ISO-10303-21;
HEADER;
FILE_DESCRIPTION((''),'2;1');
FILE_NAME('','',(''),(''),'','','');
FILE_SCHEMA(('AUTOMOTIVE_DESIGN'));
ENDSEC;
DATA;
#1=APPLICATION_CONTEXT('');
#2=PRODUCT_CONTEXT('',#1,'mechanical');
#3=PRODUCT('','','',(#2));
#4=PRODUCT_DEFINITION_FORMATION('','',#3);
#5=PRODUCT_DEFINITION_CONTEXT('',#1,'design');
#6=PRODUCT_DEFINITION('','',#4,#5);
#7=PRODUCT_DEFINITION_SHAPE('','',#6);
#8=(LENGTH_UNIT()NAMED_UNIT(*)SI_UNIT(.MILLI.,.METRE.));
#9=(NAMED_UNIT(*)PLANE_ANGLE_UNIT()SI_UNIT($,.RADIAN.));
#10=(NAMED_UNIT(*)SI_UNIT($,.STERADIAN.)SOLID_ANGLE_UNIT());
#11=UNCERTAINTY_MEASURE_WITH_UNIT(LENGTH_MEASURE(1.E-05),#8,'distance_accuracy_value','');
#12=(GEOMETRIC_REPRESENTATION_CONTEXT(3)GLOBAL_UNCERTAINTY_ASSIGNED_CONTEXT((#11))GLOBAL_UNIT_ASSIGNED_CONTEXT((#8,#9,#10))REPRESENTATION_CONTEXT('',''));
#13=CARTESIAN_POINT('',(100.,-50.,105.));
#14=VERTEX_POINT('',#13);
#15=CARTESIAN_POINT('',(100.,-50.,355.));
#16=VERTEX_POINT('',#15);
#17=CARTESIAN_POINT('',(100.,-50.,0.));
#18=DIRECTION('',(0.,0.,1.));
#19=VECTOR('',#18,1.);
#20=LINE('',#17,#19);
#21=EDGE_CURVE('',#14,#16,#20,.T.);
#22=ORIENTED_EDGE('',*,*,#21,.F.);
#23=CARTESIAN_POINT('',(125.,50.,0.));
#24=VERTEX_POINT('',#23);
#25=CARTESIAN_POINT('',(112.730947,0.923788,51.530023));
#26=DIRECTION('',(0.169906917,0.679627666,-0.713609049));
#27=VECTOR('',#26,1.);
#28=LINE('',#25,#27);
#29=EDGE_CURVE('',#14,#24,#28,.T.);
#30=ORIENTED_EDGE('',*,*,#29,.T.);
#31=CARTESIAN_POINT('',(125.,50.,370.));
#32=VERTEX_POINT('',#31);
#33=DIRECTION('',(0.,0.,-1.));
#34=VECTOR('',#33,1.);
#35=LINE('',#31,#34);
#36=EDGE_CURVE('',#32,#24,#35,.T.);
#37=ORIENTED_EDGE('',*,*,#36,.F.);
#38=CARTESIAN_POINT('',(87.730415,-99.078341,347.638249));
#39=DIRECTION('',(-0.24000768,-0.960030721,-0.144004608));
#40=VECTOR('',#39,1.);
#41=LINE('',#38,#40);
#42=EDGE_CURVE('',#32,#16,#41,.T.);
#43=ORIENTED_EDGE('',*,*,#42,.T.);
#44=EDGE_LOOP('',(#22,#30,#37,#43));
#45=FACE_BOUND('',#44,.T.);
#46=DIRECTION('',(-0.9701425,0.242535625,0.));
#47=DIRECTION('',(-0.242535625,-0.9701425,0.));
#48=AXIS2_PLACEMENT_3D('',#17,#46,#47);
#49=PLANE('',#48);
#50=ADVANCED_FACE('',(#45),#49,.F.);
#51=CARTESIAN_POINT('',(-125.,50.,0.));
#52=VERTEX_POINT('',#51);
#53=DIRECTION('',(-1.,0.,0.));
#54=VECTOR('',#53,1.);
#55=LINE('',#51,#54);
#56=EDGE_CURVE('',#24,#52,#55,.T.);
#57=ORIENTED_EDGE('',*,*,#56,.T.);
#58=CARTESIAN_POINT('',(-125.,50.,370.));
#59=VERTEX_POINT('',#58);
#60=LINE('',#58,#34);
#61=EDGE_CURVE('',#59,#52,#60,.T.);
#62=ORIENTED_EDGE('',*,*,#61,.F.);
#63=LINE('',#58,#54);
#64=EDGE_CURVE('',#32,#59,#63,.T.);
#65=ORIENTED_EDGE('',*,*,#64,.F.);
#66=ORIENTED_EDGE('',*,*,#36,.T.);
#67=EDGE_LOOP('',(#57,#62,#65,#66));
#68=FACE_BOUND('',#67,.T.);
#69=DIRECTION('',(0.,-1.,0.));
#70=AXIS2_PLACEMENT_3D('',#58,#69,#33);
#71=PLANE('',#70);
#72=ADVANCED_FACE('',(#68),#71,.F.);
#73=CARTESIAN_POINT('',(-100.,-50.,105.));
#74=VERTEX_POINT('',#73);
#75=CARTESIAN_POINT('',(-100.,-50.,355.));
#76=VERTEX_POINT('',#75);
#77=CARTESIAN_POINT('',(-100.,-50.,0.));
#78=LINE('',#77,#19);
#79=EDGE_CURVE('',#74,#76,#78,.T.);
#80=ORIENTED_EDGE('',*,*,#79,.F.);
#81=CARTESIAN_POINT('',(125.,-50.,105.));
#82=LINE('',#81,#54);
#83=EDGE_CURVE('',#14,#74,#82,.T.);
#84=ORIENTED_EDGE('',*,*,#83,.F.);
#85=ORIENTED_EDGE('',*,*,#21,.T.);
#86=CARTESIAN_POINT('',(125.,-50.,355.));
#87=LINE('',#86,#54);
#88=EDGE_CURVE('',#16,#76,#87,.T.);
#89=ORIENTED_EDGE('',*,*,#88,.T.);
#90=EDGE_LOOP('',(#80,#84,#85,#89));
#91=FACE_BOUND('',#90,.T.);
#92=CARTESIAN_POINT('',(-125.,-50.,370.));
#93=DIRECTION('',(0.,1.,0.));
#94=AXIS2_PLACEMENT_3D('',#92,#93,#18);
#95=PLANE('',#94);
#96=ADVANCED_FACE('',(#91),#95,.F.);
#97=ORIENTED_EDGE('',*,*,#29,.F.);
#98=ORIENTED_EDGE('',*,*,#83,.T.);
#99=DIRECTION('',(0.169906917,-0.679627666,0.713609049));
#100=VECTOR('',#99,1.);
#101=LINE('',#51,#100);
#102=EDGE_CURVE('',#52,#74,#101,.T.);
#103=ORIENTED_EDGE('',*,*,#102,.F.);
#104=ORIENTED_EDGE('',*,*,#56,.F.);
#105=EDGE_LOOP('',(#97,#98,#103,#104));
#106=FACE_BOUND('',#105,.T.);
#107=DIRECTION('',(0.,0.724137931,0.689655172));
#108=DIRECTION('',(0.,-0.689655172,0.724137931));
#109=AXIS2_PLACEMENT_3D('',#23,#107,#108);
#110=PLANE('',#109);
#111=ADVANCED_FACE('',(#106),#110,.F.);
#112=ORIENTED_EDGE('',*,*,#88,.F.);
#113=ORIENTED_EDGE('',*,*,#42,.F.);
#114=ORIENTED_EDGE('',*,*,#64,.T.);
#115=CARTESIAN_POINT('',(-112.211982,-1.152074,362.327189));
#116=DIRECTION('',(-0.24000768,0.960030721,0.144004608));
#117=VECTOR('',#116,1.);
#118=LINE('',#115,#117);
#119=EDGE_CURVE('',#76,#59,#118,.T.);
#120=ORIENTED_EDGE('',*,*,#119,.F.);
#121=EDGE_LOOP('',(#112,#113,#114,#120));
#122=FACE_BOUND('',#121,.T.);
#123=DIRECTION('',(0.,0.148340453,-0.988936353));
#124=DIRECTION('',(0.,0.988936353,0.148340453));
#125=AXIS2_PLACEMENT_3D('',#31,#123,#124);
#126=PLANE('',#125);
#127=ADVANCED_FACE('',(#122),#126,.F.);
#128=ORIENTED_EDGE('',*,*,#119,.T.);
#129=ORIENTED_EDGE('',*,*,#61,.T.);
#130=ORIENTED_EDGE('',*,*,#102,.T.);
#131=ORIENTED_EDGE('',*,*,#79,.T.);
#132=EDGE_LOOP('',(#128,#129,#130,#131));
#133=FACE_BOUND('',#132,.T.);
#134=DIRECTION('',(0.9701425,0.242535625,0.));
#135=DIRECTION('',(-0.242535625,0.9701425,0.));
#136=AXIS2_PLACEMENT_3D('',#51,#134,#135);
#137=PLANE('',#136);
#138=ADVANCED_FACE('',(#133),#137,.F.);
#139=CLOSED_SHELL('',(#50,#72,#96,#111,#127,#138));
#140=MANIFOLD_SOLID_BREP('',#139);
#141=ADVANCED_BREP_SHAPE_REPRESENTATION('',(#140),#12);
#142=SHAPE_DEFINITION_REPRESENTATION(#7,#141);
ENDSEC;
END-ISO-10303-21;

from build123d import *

# Parameters (mm, degrees)
SKETCH_1_W          = 250
SKETCH_1_H          = 100
EXTRUDE_1_DEPTH     = 370
CUT_EXTRUDE_1_DEPTH = 370
CUT_EXTRUDE_3_DEPTH = 458.602447546


with BuildPart() as part:
    # 草圖1 → 填料-伸長1 (new body)
    with BuildSketch(Plane.XY):
        Rectangle(SKETCH_1_W, SKETCH_1_H)
    extrude(amount=EXTRUDE_1_DEPTH)

    # 草圖2 → 除料-伸長1 (cut)
    with BuildSketch(Plane.XY.offset(370)):
        Polygon((-125, 50), (-100, -50), (-125, -50), align=None)
        Polygon((125, 50), (125, -50), (100, -50), align=None)
    extrude(amount=-CUT_EXTRUDE_1_DEPTH, mode=Mode.SUBTRACT)

    # 草圖7 → 除料-伸長3 (cut, through all)
    with BuildSketch(Plane(origin=(-125, 50, 370), x_dir=(0, 0, 1), z_dir=(-1, 0, 0))):
        Polygon((0, 0), (-15, -100), (0, -100), align=None)
        Polygon((-370, 0), (-265, -100), (-370, -100), align=None)
    extrude(amount=-CUT_EXTRUDE_3_DEPTH, mode=Mode.SUBTRACT)


solid = part.part
